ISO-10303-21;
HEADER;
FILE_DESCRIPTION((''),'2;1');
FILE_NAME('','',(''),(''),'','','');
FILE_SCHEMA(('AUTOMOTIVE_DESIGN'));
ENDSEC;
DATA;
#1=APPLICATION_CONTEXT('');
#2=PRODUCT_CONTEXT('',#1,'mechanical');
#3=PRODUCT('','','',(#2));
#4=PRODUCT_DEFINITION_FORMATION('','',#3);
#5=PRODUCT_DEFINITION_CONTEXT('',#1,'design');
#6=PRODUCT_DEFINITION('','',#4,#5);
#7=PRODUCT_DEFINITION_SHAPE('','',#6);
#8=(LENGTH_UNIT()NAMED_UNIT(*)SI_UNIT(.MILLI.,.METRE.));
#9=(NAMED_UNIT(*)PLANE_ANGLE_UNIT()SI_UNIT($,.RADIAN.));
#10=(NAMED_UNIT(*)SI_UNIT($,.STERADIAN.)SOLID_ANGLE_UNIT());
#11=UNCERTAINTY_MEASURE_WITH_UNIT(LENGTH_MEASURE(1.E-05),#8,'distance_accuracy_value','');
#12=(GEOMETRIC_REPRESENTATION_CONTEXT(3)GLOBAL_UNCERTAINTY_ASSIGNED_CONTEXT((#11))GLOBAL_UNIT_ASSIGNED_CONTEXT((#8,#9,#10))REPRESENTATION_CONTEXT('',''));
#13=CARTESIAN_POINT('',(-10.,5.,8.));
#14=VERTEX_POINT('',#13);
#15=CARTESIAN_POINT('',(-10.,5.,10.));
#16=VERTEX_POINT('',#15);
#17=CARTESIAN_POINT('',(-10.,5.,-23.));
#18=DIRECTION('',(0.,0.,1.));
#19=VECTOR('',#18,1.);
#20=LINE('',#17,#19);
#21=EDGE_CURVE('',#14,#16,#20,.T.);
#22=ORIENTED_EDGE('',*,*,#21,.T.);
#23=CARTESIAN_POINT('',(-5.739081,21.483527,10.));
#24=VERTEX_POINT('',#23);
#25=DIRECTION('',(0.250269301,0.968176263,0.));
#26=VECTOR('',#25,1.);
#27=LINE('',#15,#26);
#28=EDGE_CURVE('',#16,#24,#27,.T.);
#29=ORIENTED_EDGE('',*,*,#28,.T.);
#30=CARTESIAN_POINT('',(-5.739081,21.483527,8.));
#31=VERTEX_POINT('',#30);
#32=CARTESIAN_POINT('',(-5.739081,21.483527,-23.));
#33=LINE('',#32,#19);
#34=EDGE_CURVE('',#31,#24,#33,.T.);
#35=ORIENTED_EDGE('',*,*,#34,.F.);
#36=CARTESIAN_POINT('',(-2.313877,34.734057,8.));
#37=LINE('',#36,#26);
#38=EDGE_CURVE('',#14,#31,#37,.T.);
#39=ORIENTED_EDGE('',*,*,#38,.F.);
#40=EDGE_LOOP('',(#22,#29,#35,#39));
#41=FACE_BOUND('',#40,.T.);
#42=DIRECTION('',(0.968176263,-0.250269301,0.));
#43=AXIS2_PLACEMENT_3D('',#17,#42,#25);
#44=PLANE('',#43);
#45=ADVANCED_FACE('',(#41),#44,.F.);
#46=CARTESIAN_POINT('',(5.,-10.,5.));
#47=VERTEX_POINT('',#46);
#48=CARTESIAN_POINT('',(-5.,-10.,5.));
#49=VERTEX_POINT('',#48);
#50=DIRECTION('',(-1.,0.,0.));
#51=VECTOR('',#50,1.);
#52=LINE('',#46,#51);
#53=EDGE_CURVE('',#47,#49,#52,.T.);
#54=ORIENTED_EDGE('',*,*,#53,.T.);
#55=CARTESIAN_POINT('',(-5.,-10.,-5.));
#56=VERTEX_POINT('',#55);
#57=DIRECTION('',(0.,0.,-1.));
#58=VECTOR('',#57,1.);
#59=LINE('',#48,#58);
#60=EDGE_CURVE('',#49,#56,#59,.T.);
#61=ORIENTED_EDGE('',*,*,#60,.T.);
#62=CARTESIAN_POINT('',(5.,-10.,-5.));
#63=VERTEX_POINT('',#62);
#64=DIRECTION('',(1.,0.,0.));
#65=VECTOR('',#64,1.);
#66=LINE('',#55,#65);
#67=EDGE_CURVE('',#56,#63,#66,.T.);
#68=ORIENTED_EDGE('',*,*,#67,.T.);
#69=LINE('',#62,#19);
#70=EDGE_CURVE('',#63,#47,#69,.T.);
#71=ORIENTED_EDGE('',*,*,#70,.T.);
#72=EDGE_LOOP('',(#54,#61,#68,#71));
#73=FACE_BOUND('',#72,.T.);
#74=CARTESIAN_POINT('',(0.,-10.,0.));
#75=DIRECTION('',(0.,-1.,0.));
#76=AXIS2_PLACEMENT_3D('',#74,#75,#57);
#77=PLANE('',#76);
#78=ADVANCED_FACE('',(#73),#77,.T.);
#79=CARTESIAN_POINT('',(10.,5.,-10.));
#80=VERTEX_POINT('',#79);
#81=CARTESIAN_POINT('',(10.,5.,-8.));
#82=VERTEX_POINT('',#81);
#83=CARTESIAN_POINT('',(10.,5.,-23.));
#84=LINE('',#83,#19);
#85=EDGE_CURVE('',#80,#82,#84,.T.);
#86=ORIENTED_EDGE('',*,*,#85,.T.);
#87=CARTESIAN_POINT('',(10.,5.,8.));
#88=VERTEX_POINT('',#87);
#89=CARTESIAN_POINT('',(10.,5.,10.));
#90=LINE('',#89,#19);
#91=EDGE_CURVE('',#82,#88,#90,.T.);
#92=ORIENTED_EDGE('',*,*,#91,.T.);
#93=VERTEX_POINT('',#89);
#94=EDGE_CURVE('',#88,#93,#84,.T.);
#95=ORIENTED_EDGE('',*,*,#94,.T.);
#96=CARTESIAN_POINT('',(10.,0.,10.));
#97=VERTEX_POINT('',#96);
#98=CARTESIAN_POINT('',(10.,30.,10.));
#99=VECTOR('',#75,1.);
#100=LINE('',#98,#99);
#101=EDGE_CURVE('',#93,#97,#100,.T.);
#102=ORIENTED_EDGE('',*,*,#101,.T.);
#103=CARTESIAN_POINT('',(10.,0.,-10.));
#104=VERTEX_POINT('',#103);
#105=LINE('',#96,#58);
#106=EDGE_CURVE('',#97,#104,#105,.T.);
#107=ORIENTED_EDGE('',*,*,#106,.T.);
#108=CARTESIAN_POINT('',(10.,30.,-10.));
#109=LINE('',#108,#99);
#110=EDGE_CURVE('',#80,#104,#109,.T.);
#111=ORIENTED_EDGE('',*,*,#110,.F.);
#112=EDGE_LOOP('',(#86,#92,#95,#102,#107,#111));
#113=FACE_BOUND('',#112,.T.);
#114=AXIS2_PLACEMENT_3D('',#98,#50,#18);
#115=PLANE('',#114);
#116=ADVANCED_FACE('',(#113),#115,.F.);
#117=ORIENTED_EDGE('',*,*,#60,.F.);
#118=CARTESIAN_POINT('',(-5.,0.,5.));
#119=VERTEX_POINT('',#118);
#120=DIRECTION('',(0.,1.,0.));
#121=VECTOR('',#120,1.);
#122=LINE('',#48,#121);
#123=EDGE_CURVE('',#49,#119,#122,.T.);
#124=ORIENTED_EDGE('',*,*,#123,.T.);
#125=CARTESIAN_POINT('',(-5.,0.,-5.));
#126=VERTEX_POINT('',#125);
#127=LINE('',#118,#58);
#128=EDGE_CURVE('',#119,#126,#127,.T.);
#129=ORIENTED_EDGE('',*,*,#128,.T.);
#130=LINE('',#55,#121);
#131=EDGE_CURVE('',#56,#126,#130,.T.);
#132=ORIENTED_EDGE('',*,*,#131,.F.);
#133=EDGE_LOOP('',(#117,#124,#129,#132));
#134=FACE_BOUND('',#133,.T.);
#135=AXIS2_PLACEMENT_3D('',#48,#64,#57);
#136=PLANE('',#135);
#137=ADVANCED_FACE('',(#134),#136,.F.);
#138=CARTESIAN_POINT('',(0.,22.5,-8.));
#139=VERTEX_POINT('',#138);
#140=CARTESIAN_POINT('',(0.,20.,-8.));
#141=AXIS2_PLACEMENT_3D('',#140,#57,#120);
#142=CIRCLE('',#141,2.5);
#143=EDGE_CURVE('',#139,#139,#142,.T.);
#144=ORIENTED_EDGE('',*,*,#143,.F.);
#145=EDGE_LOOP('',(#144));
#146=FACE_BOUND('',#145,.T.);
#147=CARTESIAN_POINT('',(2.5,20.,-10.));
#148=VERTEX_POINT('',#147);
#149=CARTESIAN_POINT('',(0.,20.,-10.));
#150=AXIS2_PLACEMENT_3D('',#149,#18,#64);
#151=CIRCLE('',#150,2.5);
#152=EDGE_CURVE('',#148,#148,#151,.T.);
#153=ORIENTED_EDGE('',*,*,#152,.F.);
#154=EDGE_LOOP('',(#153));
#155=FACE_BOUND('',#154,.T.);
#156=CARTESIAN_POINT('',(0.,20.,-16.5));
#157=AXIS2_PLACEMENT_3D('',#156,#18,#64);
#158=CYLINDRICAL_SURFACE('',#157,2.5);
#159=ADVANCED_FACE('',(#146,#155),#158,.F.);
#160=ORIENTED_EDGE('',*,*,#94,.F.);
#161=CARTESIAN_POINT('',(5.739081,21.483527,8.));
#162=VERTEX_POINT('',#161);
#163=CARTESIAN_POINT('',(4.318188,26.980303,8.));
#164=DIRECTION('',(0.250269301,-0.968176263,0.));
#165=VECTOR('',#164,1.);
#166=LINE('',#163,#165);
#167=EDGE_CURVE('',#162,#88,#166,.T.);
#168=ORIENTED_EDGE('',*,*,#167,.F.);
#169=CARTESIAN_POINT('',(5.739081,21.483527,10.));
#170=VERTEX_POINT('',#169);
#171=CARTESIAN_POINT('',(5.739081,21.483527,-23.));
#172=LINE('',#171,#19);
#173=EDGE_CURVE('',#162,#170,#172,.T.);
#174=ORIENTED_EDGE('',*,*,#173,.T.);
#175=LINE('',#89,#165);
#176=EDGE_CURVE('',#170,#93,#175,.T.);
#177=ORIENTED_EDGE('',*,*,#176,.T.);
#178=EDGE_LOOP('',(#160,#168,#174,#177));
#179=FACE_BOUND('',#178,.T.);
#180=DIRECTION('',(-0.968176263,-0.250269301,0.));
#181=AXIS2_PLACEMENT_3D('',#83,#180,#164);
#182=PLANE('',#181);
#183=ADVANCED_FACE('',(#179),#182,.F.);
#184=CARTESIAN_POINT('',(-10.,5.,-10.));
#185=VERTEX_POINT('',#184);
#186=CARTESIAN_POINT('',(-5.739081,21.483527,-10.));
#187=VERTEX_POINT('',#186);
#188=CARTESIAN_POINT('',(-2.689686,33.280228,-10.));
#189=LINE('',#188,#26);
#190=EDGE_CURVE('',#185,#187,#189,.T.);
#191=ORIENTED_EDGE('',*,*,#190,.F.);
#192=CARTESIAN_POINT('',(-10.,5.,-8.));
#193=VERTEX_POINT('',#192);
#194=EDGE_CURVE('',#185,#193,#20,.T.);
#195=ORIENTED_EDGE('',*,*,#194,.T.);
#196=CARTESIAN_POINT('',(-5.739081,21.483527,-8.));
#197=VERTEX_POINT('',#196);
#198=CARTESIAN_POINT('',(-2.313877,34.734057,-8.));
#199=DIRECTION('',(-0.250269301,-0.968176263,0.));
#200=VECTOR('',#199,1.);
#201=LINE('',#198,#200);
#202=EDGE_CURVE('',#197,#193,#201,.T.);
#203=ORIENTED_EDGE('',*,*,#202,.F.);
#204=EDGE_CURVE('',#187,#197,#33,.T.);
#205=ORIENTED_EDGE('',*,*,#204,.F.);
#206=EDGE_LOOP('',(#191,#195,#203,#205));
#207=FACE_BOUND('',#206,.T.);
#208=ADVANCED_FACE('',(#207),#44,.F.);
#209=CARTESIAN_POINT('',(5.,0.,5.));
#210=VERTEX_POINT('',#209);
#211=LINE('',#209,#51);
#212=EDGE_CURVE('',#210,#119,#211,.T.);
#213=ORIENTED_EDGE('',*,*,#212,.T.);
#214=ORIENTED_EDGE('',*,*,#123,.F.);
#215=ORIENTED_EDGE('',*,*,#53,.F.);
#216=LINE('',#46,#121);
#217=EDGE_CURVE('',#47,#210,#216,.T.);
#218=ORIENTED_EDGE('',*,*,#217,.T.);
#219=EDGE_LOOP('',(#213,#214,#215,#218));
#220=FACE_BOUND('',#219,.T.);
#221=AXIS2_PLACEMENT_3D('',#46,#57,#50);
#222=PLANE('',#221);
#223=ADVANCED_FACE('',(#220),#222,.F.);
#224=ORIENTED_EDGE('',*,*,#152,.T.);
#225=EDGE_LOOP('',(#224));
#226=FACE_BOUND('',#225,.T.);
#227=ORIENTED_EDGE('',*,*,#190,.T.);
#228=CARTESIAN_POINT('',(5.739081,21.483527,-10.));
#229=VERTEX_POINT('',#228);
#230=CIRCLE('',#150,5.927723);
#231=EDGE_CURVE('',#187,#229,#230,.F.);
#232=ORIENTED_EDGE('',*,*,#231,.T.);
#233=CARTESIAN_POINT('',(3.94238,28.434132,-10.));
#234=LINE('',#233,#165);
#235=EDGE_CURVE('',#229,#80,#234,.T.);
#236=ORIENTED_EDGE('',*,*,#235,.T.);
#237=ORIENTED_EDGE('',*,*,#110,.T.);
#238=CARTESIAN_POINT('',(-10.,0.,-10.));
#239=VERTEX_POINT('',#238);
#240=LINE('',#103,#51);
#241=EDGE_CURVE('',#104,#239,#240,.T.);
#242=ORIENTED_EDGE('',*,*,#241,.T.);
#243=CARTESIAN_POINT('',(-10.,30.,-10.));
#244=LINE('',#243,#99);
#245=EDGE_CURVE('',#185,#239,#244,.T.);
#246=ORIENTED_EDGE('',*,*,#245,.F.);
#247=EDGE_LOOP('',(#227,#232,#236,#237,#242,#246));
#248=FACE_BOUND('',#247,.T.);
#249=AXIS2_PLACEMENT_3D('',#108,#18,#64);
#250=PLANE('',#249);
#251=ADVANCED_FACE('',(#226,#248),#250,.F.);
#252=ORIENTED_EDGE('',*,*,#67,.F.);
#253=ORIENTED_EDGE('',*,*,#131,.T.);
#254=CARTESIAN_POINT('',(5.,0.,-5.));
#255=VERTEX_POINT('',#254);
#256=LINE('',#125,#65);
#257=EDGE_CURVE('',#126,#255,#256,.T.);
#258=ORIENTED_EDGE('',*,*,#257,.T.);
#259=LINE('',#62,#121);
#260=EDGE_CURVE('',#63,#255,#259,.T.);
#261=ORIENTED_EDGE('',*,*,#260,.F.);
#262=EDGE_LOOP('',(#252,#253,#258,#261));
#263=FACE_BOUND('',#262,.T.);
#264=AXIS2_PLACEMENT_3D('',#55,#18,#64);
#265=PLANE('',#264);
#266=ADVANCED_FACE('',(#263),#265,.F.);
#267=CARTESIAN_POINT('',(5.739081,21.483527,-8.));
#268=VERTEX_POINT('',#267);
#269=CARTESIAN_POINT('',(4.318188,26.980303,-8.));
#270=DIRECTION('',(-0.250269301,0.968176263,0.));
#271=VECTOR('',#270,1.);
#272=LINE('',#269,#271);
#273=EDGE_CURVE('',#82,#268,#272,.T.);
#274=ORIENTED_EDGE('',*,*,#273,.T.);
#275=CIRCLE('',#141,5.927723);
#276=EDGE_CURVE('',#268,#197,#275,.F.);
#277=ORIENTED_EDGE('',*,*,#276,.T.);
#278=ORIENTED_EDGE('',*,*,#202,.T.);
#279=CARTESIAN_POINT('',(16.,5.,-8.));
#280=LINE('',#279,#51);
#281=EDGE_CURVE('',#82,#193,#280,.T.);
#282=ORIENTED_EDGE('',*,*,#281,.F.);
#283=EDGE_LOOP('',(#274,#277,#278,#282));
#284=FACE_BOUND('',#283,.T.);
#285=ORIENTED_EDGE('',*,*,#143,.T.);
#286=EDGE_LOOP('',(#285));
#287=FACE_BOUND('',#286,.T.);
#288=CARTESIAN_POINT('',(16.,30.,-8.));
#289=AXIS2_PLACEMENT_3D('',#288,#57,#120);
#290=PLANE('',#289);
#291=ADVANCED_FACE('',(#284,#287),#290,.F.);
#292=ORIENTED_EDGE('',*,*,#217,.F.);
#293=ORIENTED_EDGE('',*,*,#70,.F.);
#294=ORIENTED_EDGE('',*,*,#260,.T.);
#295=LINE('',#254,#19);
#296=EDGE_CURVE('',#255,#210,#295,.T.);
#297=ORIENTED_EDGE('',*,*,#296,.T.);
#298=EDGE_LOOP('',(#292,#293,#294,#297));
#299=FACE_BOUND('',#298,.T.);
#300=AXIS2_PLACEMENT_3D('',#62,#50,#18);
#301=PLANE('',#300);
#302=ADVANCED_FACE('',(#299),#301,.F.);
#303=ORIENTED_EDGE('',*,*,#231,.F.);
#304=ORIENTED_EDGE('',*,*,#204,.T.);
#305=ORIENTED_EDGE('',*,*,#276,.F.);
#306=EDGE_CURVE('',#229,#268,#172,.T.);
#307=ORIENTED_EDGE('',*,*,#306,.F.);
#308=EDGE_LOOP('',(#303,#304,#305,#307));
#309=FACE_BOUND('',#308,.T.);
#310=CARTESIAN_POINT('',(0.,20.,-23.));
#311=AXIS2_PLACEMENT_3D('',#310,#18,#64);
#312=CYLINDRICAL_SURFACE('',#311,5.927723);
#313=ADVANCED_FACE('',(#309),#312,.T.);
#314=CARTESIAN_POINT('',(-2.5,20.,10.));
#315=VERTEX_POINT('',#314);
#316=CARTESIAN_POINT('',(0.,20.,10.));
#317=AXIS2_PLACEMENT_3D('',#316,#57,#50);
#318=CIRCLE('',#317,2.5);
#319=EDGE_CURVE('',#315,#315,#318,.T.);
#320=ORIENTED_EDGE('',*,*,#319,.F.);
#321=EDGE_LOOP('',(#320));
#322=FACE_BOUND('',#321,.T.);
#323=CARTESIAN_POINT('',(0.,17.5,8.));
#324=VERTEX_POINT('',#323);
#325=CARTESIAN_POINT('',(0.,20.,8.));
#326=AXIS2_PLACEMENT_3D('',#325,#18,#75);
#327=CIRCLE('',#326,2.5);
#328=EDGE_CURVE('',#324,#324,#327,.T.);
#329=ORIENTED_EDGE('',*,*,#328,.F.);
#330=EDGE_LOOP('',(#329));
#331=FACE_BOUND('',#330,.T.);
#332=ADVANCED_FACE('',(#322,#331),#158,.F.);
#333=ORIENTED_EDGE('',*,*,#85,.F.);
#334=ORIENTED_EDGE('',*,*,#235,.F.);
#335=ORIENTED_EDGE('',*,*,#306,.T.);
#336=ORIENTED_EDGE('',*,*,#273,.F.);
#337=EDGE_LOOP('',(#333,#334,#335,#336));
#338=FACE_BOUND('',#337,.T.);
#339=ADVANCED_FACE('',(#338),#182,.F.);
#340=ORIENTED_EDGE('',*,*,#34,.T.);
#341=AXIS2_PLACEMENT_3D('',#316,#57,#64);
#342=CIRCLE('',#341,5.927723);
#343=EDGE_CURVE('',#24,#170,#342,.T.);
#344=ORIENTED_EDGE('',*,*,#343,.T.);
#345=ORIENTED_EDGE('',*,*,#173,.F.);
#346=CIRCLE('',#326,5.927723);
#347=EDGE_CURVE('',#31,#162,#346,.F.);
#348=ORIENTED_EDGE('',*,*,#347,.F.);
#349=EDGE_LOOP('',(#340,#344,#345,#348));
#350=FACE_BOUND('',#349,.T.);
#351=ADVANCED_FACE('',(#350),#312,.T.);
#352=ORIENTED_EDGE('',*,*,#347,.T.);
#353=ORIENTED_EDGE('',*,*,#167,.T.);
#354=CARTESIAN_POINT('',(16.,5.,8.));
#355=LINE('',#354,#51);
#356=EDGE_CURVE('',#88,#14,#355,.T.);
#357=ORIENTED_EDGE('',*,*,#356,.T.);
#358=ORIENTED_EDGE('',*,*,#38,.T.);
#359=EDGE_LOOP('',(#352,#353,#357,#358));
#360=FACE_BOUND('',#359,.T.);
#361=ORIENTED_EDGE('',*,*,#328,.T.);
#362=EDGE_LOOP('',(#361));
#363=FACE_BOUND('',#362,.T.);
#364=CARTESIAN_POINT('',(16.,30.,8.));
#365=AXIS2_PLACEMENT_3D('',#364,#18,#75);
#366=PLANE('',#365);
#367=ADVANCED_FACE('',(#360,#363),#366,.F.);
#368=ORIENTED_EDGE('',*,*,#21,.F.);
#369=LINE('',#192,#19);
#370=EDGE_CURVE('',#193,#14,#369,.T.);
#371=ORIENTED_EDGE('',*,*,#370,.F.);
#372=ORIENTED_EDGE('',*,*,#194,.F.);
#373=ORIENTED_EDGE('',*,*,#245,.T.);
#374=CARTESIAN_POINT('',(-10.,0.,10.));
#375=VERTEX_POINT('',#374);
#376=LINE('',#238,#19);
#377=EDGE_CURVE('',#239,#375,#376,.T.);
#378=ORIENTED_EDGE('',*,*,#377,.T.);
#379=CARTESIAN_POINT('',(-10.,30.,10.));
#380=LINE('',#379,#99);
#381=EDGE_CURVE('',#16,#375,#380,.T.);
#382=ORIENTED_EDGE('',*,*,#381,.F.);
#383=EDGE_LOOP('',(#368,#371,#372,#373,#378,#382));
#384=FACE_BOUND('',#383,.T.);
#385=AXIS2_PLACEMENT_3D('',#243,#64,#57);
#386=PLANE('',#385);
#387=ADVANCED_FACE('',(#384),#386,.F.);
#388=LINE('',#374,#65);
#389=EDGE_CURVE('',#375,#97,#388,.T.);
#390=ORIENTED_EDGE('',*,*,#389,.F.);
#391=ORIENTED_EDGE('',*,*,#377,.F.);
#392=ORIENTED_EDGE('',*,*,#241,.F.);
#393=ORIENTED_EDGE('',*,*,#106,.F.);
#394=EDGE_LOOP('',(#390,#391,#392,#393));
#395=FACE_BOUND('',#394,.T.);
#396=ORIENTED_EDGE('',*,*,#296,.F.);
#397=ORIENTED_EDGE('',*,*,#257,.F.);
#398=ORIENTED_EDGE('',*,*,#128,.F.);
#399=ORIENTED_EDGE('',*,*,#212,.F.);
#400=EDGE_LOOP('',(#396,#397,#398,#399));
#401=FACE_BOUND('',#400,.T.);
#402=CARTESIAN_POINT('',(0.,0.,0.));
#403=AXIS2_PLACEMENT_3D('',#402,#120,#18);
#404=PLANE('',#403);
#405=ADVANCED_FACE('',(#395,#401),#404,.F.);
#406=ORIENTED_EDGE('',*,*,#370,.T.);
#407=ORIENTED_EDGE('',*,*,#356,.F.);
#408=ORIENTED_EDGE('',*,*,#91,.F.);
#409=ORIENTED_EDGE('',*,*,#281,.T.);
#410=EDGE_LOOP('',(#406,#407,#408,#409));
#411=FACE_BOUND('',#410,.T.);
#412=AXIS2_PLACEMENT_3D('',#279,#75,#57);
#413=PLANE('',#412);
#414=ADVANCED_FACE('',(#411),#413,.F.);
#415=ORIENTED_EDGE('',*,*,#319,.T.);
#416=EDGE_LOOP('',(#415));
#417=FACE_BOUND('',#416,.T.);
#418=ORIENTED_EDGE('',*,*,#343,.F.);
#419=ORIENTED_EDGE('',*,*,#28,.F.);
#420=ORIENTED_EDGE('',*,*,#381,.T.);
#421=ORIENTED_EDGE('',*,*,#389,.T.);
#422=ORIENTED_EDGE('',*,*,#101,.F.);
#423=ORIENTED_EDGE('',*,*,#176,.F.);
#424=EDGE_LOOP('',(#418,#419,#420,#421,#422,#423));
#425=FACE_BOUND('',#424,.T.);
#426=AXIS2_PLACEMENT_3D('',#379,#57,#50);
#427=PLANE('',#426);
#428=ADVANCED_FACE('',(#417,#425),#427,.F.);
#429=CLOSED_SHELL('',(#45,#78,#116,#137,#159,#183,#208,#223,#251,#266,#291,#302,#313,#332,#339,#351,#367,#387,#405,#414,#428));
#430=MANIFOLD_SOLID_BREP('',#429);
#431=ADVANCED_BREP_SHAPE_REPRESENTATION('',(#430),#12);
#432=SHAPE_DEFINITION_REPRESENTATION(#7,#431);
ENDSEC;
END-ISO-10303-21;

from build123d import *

# Parameters (mm, degrees)
SKETCH3_W           = 20
SKETCH3_H           = 20
BOSS_EXTRUDE1_DEPTH = 30
SKETCH4_W           = 16
SKETCH4_H           = 25
CUT_EXTRUDE1_DEPTH  = 26
SKETCH7_R           = 2.5
CUT_EXTRUDE2_DEPTH  = 16.5
CUT_EXTRUDE3_DEPTH  = 33
SKETCH9_W           = 10
SKETCH9_H           = 10
BOSS_EXTRUDE2_DEPTH = 10


with BuildPart() as part:
    # Sketch3 → Boss-Extrude1 (new body)
    with BuildSketch(Plane(origin=(0, 0, 0), x_dir=(1, 0, 0), z_dir=(0, 1, 0))):
        Rectangle(SKETCH3_W, SKETCH3_H)
    extrude(amount=BOSS_EXTRUDE1_DEPTH)

    # Sketch4 → Cut-Extrude1 (cut)
    with BuildSketch(Plane.ZY.offset(10)):
        with Locations((0, 17.5)):
            Rectangle(SKETCH4_W, SKETCH4_H)
    extrude(amount=-CUT_EXTRUDE1_DEPTH, mode=Mode.SUBTRACT)

    # Sketch7 → Cut-Extrude2 (cut, symmetric)
    with BuildSketch(Plane.XY):
        with Locations((0, 20)):
            Circle(SKETCH7_R)
    extrude(amount=CUT_EXTRUDE2_DEPTH, both=True, mode=Mode.SUBTRACT)

    # Sketch8 → Cut-Extrude3 (cut)
    with BuildSketch(Plane.XY.offset(10)):
        with BuildLine():
            Line((-10, 5), (-5.739080816, 21.483527122))
            ThreePointArc((-5.739080816, 21.483527122), (0, 25.927723116), (5.739080816, 21.483527122))
            Line((5.739080816, 21.483527122), (10, 5))
            Line((10, 5), (10, 30))
            Line((10, 30), (-10, 30))
            Line((-10, 30), (-10, 5))
        make_face()
    extrude(amount=-CUT_EXTRUDE3_DEPTH, mode=Mode.SUBTRACT)

    # Sketch9 → Boss-Extrude2 (add)
    with BuildSketch(Plane.XZ):
        Rectangle(SKETCH9_W, SKETCH9_H)
    extrude(amount=BOSS_EXTRUDE2_DEPTH)


solid = part.part
